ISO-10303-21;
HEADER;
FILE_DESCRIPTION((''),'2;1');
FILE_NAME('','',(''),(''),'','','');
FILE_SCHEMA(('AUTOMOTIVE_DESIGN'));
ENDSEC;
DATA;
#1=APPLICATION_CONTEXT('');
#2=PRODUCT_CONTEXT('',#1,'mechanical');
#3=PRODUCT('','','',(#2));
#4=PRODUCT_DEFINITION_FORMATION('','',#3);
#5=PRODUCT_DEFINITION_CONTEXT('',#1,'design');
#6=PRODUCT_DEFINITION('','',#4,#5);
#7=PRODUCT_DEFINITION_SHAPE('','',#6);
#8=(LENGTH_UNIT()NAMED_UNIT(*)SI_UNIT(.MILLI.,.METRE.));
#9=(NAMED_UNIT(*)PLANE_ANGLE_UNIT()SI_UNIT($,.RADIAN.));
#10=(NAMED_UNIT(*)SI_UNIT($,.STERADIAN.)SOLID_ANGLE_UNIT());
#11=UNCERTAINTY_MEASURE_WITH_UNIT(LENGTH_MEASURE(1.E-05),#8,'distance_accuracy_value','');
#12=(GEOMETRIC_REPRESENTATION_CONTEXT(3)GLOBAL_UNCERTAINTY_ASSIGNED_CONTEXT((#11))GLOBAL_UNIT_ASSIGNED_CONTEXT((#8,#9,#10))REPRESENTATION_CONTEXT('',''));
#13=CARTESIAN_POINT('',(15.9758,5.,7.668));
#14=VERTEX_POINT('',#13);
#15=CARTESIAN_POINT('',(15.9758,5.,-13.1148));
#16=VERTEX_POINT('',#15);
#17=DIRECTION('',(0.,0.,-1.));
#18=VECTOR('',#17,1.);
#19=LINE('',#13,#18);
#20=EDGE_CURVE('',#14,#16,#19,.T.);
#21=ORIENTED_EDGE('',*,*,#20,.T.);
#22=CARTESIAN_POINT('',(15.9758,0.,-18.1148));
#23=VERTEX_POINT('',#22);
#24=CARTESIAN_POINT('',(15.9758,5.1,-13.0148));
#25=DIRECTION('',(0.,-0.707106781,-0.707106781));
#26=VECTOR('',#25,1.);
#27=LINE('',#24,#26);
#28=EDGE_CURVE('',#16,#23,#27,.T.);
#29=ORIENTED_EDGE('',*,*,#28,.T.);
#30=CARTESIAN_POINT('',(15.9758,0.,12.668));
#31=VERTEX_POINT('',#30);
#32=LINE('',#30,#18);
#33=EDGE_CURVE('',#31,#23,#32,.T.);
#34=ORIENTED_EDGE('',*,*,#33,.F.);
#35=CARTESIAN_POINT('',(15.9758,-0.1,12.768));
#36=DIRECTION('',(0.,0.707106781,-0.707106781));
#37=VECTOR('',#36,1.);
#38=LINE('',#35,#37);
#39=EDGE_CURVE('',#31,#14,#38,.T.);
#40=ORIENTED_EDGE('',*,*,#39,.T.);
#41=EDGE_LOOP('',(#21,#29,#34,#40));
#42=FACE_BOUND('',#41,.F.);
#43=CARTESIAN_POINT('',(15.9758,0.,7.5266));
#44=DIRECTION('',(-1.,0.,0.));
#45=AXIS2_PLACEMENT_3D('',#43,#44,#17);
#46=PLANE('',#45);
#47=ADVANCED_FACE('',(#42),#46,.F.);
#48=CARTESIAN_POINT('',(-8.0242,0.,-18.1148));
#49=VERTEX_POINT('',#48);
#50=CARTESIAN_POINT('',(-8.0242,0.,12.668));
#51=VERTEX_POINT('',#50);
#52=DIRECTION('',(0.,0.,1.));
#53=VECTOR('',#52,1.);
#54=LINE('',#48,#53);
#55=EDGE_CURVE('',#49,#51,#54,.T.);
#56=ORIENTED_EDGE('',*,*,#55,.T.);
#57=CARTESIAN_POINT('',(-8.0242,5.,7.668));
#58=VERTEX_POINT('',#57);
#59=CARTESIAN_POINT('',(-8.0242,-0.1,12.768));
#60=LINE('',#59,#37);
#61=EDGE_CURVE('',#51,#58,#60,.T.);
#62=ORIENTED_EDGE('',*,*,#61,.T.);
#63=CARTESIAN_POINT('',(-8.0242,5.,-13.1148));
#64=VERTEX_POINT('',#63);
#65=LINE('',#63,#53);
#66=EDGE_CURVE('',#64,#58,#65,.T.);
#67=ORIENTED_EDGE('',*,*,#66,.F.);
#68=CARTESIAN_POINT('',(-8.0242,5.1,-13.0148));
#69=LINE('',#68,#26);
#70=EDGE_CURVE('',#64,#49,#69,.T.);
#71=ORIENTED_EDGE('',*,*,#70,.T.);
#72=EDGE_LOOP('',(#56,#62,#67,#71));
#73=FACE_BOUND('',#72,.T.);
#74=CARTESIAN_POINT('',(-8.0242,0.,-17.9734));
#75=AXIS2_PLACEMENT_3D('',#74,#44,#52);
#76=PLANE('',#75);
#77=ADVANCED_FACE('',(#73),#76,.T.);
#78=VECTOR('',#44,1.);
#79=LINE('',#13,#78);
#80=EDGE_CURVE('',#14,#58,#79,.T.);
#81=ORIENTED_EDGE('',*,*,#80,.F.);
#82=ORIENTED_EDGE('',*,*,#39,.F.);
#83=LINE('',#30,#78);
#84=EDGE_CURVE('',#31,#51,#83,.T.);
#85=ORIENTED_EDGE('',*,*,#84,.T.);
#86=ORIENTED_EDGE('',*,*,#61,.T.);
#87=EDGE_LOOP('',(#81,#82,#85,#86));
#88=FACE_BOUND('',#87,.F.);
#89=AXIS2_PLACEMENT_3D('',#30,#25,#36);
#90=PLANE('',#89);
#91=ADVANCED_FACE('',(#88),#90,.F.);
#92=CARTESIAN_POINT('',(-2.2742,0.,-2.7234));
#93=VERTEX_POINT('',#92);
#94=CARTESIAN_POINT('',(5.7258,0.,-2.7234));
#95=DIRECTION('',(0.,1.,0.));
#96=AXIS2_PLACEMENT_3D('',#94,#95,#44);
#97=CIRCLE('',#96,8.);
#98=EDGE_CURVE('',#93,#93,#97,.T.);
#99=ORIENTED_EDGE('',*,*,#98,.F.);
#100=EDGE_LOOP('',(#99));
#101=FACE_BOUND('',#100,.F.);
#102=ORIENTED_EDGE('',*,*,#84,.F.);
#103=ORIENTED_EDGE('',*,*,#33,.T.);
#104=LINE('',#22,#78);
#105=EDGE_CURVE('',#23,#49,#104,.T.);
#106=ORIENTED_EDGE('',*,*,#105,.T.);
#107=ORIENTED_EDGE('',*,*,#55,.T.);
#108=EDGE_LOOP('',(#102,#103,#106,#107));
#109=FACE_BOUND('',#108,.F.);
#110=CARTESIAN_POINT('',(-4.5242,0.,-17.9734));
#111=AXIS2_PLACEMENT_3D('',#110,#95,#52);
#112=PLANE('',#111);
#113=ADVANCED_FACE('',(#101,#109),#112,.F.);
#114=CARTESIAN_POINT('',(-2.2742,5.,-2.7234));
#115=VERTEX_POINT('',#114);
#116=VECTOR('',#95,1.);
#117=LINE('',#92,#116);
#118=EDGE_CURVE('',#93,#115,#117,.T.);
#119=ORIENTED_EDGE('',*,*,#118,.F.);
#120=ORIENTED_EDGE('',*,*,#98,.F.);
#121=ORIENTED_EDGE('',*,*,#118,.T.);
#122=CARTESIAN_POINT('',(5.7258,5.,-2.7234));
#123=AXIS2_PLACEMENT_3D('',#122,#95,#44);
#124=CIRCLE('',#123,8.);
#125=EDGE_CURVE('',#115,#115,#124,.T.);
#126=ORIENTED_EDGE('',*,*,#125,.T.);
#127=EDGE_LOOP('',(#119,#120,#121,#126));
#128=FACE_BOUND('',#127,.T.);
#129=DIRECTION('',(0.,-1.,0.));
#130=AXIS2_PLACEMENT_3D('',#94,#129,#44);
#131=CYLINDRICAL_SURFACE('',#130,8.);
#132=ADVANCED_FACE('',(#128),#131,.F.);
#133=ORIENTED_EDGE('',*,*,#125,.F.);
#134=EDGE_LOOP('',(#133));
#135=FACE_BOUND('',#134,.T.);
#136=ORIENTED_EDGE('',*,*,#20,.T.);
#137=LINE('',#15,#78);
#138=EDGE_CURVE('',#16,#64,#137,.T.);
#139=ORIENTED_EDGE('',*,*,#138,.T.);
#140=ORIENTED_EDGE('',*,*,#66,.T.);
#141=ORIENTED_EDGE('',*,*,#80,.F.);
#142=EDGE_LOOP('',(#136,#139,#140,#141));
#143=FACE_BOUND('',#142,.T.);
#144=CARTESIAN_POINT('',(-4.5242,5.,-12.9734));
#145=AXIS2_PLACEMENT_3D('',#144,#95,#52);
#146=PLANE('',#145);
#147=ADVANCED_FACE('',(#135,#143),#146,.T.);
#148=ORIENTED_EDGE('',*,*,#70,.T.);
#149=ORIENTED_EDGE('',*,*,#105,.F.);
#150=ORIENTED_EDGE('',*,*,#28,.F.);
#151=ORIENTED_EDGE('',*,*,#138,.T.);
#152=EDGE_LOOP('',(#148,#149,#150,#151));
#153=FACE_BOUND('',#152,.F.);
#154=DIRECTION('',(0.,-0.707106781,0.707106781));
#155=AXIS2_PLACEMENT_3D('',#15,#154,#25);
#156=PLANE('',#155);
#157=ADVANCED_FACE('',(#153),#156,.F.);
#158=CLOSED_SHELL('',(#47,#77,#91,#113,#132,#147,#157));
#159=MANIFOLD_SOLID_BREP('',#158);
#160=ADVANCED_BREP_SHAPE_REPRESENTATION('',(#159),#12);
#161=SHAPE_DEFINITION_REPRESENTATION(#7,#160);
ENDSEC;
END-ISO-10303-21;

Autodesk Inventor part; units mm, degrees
ref_plane "YZ Plane" through (0, 0, 0) normal (1, 0, 0) x (0, 1, 0)
ref_plane "XZ Plane" through (0, 0, 0) normal (0, 1, 0) x (-1, 0, 0)
ref_plane "XY Plane" through (0, 0, 0) normal (0, 0, 1) x (1, 0, 0)
sketch "Sketch1" plane through (0, 0, 0) normal (0, 1, 0) x (-1, 0, 0)
  line L0 (4.5242, 7.5266) -> (-15.9758, 7.5266)
  line L1 (-15.9758, 7.5266) -> (-15.9758, -12.9734)
  line L2 (-15.9758, -12.9734) -> (4.5242, -12.9734)
  line L3 (4.5242, -12.9734) -> (4.5242, 7.5266)
  circle A0 centre (-5.7258, -2.7234) radius 8
  point P0 (0, 0)
  dimension "d0" = 20.5
  dimension "d1" = 20.5
  dimension "d2" = 16
extrude "Extrusion1" add sketch "Sketch1" along normal blind 5
sketch "Sketch2" plane through (-4.5242, 0, -12.9734) normal (-1, 0, 0) x (0, 0, 1)
  line L0 (20.5, 0) -> (25.5, 0)
  line L1 (20.5, 0) -> (20.5, 5) projected
  line L2 (25.5, 0) -> (20.5, 5)
  line L3 (0, 0) -> (-5, 0)
  line L4 (-5, 0) -> (0, 5)
  line L5 (0, 0) -> (0, 5) projected
  line L6 (0, 5) -> (0, 0)
  point P0 (12.9734, 0)
  dimension "d6" = 5
  dimension "d7" = 5
extrude "Extrusion2" add sketch "Sketch2" against normal up to surface (20.5 mm away)
sketch "Sketch3" plane through (15.9758, 0, 12.5266) normal (1, 0, 0) x (0, 0, -1)
  point P0 (12.5266, 0)
sketch "Sketch4" plane through (-4.5242, 0, -17.9734) normal (-1, 0, 0) x (0, 0, 1)
  line L0 (0, 0) -> (30.5, 0) projected
  line L1 (30.5, 0) -> (25.5, 5) projected
  line L2 (5, 5) -> (25.5, 5) projected
  line L3 (5, 5) -> (0, 0) projected
  point P0 (17.9734, 0)
extrude "Extrusion3" add sketch "Sketch4" along normal blind 3.5
sketch "Sketch5" plane through (15.9758, 0, 12.5266) normal (1, 0, 0) x (0, 0, -1)
  line L0 (0, 0) -> (30.5, 0) projected
  line L1 (25.5, 5) -> (30.5, 0) projected
  line L2 (5, 5) -> (25.5, 5) projected
  line L3 (0, 0) -> (5, 5) projected
  line L4 (4.9586, 5.1) -> (25.5414, 5.1)
  line L5 (25.5414, 5.1) -> (30.7414, -0.1)
  line L6 (30.7414, -0.1) -> (-0.2414, -0.1)
  line L7 (-0.2414, -0.1) -> (4.9586, 5.1)
  line L8 (25.5, 5) -> (25.6414, 5)
  line L9 (30.5, 0) -> (30.6414, 0)
  line L10 (0, 0) -> (-0.1414, 0)
  line L11 (5, 5) -> (4.8586, 5)
  point P0 (12.5266, 0)
  dimension "d12" = 0.1
extrude "Extrusion4" add sketch "Sketch5" against normal up to surface (24 mm away) contours L10 L7 L11 L3 | L1 L8 L5 L9
properties part number "bearing_bed_arm2_tight"
